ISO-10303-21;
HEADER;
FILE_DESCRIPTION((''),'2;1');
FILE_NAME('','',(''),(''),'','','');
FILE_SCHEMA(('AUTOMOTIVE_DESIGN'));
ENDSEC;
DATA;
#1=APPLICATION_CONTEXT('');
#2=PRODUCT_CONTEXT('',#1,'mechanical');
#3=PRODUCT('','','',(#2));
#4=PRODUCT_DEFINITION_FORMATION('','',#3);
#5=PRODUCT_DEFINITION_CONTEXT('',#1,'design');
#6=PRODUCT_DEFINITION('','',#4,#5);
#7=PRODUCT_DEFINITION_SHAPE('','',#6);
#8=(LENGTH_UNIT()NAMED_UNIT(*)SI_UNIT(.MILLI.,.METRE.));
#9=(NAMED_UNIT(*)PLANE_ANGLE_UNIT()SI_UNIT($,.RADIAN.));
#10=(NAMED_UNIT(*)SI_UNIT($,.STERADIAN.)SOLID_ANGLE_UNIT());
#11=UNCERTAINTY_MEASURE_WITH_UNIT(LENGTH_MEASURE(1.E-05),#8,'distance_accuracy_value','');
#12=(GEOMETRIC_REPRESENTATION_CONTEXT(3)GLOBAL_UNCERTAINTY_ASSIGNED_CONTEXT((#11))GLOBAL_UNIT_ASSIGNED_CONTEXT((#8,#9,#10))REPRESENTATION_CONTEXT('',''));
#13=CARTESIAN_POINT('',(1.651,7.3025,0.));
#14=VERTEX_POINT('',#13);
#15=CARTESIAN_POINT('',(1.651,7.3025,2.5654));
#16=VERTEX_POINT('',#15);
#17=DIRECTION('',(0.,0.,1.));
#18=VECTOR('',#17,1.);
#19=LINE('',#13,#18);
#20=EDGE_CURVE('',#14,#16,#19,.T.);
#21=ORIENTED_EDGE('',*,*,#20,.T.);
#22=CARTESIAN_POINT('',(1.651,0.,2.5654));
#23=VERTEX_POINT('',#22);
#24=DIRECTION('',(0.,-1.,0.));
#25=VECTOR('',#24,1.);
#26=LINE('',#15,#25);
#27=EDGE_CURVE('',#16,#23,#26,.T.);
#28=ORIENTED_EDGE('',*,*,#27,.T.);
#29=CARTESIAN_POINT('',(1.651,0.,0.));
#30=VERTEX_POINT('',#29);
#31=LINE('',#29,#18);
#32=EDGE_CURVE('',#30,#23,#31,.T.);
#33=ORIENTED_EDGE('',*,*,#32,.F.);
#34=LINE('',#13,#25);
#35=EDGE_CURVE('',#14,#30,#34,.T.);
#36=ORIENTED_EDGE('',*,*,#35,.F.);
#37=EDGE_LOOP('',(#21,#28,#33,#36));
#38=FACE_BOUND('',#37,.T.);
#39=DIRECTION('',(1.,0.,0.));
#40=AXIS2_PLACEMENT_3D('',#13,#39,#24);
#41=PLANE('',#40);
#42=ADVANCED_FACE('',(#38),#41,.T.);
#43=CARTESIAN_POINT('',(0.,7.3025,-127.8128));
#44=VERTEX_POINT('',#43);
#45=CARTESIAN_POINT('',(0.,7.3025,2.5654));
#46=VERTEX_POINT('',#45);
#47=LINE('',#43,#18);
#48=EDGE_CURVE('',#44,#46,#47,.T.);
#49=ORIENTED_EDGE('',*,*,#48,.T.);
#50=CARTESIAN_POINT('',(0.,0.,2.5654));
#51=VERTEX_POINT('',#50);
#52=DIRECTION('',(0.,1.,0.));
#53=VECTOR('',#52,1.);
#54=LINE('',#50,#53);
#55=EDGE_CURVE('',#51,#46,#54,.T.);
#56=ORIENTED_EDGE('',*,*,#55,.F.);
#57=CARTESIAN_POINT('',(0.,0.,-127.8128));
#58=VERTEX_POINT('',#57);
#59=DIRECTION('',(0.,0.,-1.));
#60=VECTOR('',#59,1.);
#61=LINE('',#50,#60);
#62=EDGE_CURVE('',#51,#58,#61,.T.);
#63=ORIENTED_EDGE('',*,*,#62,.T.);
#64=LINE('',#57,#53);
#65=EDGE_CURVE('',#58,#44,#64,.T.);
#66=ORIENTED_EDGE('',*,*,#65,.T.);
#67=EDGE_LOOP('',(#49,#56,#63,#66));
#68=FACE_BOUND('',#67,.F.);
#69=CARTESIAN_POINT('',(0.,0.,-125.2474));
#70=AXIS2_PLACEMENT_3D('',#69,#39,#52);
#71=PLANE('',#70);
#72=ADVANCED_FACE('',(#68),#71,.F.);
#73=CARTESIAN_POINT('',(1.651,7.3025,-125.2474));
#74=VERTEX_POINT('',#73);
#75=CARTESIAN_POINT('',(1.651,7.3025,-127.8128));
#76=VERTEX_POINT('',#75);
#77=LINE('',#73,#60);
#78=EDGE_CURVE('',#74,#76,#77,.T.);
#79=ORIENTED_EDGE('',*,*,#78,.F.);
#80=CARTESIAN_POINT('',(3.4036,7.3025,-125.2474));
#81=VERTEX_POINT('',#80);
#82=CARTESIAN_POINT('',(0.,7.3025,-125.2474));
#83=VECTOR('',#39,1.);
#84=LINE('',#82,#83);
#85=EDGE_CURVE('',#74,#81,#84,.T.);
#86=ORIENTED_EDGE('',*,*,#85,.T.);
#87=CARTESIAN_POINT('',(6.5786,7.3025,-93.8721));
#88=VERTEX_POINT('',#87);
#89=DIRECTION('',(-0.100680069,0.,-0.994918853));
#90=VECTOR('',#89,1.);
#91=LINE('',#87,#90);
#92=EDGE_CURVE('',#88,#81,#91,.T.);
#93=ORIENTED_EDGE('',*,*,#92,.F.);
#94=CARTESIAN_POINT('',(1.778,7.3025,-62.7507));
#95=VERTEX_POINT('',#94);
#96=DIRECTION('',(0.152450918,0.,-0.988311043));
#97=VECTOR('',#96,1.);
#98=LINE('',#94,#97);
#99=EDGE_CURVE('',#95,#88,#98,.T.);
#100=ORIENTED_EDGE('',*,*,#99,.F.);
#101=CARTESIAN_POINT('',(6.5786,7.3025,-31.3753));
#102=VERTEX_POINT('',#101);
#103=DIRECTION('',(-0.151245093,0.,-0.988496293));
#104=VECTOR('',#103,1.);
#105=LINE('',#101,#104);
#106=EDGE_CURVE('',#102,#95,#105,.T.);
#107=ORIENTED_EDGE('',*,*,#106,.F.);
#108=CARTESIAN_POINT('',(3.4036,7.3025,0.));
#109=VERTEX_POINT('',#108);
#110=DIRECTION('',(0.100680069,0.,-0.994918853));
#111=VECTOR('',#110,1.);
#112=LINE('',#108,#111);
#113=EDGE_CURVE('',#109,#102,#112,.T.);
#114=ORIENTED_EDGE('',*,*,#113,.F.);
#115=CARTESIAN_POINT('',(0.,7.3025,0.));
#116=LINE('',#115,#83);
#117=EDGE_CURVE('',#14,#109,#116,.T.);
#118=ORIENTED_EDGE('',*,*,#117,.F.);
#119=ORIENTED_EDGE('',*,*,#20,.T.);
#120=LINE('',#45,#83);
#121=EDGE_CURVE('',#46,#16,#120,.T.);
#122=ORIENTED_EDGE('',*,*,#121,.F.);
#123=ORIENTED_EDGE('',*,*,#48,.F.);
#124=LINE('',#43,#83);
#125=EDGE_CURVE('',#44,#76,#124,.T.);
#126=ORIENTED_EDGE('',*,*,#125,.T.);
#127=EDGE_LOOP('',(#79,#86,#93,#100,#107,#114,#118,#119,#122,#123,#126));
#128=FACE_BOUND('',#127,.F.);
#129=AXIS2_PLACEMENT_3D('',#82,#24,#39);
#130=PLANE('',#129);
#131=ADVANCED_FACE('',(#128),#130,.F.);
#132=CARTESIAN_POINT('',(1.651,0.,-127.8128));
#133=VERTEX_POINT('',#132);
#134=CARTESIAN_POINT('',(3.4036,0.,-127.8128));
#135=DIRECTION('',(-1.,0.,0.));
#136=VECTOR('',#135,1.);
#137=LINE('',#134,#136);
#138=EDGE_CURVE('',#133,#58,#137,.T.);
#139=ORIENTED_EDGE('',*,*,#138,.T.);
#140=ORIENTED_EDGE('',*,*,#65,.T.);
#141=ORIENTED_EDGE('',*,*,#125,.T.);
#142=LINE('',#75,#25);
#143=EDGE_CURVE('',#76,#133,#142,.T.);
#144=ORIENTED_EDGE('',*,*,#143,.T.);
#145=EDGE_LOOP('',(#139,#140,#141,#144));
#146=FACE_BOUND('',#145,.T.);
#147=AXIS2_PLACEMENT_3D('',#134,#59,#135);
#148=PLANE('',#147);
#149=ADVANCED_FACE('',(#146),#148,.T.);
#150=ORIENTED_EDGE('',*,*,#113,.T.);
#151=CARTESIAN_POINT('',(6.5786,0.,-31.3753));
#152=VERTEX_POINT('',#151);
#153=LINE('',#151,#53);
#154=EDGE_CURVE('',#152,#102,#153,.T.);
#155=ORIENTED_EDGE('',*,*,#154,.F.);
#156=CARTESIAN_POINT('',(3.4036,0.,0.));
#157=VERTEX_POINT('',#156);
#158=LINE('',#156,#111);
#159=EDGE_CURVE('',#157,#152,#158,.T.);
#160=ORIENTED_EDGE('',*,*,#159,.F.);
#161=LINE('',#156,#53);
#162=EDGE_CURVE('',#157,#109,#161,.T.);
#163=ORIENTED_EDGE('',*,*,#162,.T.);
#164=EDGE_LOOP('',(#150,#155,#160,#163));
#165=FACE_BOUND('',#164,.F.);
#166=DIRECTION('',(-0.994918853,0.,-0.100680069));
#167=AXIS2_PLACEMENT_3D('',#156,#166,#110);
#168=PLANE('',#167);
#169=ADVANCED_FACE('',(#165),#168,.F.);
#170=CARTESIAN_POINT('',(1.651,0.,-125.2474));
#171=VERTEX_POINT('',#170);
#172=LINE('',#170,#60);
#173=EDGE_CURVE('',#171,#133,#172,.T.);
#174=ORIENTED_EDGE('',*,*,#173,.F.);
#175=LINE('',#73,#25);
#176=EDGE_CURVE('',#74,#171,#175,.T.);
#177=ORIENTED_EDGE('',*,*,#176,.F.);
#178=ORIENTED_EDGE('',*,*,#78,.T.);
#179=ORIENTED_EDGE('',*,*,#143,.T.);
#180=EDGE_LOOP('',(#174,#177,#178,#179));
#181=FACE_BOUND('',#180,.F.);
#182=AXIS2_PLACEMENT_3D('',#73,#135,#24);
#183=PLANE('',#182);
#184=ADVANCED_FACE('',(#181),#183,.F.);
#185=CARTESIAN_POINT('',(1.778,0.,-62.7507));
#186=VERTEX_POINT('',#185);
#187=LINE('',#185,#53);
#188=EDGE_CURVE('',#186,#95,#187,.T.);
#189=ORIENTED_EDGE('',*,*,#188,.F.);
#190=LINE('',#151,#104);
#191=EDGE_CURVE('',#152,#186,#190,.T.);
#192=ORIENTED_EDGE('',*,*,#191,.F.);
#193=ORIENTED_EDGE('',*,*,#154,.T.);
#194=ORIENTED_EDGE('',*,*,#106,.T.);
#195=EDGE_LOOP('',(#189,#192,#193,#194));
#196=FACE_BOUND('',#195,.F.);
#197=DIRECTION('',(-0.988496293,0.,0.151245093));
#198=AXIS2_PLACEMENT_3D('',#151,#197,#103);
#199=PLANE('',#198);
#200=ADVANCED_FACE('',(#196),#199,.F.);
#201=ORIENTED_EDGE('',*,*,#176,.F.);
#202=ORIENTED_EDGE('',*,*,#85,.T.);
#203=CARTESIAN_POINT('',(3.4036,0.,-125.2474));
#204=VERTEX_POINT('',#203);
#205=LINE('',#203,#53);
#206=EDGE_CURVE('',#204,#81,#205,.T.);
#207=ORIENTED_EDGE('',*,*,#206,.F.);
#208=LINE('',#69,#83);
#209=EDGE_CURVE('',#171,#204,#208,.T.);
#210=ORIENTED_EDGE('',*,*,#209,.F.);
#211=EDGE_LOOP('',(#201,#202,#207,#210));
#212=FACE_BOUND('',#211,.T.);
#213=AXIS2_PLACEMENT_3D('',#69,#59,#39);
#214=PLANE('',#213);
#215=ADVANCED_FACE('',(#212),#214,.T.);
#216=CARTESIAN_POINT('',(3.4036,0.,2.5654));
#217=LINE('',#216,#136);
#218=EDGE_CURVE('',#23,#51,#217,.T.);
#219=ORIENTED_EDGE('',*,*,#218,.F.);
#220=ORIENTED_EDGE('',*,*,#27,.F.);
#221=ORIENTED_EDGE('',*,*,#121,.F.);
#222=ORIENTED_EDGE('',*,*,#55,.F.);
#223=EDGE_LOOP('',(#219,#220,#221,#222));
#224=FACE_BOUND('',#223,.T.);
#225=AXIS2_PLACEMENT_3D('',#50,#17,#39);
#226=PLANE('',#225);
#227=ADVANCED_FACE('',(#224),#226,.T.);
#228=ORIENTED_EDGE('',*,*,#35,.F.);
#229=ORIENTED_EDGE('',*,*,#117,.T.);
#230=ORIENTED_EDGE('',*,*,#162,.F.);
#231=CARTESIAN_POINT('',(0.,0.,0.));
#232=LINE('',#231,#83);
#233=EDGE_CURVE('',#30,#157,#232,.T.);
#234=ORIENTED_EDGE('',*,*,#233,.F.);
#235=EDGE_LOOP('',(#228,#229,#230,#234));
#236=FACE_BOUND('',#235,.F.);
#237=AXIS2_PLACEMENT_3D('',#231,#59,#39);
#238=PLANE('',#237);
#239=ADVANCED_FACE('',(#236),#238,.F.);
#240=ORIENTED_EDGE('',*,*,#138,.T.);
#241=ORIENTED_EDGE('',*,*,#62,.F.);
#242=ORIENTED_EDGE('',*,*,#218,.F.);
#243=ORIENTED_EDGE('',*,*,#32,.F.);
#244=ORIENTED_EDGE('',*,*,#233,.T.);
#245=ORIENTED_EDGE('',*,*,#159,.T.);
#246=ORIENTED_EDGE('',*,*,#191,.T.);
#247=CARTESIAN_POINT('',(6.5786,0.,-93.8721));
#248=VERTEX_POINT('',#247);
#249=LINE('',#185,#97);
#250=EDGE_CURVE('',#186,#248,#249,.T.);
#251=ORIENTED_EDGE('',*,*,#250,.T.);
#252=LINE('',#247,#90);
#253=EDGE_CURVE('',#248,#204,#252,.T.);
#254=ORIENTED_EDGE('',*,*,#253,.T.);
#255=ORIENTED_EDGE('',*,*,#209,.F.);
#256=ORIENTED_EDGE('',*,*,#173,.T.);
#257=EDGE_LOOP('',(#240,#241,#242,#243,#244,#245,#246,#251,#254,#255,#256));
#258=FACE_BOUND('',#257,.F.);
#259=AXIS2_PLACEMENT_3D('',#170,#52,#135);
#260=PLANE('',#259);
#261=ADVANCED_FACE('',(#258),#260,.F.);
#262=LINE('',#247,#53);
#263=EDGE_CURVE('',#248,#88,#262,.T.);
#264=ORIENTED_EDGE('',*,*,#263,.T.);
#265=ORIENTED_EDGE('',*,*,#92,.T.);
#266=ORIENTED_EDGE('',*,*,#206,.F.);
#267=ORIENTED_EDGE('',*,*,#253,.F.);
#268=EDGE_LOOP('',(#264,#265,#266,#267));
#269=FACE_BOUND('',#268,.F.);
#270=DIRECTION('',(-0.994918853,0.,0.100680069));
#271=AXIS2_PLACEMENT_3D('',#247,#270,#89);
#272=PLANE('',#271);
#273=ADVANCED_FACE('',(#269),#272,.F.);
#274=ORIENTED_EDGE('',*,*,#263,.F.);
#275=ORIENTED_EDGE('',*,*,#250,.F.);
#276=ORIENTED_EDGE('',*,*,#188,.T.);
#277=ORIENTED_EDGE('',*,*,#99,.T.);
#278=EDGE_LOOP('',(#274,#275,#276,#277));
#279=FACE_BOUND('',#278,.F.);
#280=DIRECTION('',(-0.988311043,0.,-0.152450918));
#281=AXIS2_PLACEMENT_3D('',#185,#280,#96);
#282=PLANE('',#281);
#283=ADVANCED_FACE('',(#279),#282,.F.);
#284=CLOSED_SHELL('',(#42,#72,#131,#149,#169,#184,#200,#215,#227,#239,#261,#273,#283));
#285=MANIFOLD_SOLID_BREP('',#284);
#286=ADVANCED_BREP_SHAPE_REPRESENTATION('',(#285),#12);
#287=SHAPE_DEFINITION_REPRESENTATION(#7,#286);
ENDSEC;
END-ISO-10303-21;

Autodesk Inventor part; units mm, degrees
ref_plane "YZ Plane" through (0, 0, 0) normal (1, 0, 0) x (0, 1, 0)
ref_plane "XZ Plane" through (0, 0, 0) normal (0, 1, 0) x (-1, 0, 0)
ref_plane "XY Plane" through (0, 0, 0) normal (0, 0, 1) x (1, 0, 0)
sketch "Sketch1" plane through (0, 0, 0) normal (0, 1, 0) x (-1, 0, 0)
  line L0 (0, 0) -> (0, -125.2474)
  line L1 (0, -125.2474) -> (-3.4036, -125.2474)
  line L2 (0, 0) -> (-3.4036, 0)
  line L3 (-3.4036, 0) -> (-6.5786, -31.3753)
  line L4 (-6.5786, -31.3753) -> (-1.778, -62.7507)
  line L5 (-1.778, -62.7507) -> (-6.5786, -93.8721)
  line L6 (-6.5786, -93.8721) -> (-3.4036, -125.2474)
  dimension "d0" = 125.2474
  dimension "d1" = 3.4036
  dimension "d2" = 3.4036
  dimension "d3" = 31.3754
  dimension "d4" = 62.7507
  dimension "d5" = 31.3754
  dimension "d6" = 3.175
  dimension "d7" = 3.175
extrude "Extrusion1" add sketch "Sketch1" along normal blind 7.3025
sketch "Sketch2" plane through (0, 0, 0) normal (0, 0, 1) x (1, 0, 0)
  line L0 (0, 0) -> (0, 7.3025) projected
  line L1 (3.4036, 0) -> (0, 0) projected
  line L2 (0, 7.3025) -> (1.651, 7.3025)
  line L3 (1.651, 7.3025) -> (1.651, 0)
  line L4 (1.651, 0) -> (0, 0)
  line L5 (0, 0) -> (0, 7.3025)
  dimension "d10" = 1.651
sketch "Sketch3" plane through (3.4036, 0, -125.2474) normal (0, 0, -1) x (-1, 0, 0)
  line L0 (0, 0) -> (3.4036, 0) projected
  line L1 (3.4036, 7.3025) -> (1.7526, 7.3025)
  line L2 (1.7526, 7.3025) -> (1.7526, 0)
  line L3 (1.7526, 0) -> (3.4036, 0)
  line L4 (3.4036, 0) -> (3.4036, 7.3025)
  dimension "d11" = 1.651
extrude "Extrusion2" add sketch "Sketch2" along normal blind 2.5654
extrude "Extrusion3" add sketch "Sketch3" along normal blind 2.5654
properties part number "long_insert_CPY1"
